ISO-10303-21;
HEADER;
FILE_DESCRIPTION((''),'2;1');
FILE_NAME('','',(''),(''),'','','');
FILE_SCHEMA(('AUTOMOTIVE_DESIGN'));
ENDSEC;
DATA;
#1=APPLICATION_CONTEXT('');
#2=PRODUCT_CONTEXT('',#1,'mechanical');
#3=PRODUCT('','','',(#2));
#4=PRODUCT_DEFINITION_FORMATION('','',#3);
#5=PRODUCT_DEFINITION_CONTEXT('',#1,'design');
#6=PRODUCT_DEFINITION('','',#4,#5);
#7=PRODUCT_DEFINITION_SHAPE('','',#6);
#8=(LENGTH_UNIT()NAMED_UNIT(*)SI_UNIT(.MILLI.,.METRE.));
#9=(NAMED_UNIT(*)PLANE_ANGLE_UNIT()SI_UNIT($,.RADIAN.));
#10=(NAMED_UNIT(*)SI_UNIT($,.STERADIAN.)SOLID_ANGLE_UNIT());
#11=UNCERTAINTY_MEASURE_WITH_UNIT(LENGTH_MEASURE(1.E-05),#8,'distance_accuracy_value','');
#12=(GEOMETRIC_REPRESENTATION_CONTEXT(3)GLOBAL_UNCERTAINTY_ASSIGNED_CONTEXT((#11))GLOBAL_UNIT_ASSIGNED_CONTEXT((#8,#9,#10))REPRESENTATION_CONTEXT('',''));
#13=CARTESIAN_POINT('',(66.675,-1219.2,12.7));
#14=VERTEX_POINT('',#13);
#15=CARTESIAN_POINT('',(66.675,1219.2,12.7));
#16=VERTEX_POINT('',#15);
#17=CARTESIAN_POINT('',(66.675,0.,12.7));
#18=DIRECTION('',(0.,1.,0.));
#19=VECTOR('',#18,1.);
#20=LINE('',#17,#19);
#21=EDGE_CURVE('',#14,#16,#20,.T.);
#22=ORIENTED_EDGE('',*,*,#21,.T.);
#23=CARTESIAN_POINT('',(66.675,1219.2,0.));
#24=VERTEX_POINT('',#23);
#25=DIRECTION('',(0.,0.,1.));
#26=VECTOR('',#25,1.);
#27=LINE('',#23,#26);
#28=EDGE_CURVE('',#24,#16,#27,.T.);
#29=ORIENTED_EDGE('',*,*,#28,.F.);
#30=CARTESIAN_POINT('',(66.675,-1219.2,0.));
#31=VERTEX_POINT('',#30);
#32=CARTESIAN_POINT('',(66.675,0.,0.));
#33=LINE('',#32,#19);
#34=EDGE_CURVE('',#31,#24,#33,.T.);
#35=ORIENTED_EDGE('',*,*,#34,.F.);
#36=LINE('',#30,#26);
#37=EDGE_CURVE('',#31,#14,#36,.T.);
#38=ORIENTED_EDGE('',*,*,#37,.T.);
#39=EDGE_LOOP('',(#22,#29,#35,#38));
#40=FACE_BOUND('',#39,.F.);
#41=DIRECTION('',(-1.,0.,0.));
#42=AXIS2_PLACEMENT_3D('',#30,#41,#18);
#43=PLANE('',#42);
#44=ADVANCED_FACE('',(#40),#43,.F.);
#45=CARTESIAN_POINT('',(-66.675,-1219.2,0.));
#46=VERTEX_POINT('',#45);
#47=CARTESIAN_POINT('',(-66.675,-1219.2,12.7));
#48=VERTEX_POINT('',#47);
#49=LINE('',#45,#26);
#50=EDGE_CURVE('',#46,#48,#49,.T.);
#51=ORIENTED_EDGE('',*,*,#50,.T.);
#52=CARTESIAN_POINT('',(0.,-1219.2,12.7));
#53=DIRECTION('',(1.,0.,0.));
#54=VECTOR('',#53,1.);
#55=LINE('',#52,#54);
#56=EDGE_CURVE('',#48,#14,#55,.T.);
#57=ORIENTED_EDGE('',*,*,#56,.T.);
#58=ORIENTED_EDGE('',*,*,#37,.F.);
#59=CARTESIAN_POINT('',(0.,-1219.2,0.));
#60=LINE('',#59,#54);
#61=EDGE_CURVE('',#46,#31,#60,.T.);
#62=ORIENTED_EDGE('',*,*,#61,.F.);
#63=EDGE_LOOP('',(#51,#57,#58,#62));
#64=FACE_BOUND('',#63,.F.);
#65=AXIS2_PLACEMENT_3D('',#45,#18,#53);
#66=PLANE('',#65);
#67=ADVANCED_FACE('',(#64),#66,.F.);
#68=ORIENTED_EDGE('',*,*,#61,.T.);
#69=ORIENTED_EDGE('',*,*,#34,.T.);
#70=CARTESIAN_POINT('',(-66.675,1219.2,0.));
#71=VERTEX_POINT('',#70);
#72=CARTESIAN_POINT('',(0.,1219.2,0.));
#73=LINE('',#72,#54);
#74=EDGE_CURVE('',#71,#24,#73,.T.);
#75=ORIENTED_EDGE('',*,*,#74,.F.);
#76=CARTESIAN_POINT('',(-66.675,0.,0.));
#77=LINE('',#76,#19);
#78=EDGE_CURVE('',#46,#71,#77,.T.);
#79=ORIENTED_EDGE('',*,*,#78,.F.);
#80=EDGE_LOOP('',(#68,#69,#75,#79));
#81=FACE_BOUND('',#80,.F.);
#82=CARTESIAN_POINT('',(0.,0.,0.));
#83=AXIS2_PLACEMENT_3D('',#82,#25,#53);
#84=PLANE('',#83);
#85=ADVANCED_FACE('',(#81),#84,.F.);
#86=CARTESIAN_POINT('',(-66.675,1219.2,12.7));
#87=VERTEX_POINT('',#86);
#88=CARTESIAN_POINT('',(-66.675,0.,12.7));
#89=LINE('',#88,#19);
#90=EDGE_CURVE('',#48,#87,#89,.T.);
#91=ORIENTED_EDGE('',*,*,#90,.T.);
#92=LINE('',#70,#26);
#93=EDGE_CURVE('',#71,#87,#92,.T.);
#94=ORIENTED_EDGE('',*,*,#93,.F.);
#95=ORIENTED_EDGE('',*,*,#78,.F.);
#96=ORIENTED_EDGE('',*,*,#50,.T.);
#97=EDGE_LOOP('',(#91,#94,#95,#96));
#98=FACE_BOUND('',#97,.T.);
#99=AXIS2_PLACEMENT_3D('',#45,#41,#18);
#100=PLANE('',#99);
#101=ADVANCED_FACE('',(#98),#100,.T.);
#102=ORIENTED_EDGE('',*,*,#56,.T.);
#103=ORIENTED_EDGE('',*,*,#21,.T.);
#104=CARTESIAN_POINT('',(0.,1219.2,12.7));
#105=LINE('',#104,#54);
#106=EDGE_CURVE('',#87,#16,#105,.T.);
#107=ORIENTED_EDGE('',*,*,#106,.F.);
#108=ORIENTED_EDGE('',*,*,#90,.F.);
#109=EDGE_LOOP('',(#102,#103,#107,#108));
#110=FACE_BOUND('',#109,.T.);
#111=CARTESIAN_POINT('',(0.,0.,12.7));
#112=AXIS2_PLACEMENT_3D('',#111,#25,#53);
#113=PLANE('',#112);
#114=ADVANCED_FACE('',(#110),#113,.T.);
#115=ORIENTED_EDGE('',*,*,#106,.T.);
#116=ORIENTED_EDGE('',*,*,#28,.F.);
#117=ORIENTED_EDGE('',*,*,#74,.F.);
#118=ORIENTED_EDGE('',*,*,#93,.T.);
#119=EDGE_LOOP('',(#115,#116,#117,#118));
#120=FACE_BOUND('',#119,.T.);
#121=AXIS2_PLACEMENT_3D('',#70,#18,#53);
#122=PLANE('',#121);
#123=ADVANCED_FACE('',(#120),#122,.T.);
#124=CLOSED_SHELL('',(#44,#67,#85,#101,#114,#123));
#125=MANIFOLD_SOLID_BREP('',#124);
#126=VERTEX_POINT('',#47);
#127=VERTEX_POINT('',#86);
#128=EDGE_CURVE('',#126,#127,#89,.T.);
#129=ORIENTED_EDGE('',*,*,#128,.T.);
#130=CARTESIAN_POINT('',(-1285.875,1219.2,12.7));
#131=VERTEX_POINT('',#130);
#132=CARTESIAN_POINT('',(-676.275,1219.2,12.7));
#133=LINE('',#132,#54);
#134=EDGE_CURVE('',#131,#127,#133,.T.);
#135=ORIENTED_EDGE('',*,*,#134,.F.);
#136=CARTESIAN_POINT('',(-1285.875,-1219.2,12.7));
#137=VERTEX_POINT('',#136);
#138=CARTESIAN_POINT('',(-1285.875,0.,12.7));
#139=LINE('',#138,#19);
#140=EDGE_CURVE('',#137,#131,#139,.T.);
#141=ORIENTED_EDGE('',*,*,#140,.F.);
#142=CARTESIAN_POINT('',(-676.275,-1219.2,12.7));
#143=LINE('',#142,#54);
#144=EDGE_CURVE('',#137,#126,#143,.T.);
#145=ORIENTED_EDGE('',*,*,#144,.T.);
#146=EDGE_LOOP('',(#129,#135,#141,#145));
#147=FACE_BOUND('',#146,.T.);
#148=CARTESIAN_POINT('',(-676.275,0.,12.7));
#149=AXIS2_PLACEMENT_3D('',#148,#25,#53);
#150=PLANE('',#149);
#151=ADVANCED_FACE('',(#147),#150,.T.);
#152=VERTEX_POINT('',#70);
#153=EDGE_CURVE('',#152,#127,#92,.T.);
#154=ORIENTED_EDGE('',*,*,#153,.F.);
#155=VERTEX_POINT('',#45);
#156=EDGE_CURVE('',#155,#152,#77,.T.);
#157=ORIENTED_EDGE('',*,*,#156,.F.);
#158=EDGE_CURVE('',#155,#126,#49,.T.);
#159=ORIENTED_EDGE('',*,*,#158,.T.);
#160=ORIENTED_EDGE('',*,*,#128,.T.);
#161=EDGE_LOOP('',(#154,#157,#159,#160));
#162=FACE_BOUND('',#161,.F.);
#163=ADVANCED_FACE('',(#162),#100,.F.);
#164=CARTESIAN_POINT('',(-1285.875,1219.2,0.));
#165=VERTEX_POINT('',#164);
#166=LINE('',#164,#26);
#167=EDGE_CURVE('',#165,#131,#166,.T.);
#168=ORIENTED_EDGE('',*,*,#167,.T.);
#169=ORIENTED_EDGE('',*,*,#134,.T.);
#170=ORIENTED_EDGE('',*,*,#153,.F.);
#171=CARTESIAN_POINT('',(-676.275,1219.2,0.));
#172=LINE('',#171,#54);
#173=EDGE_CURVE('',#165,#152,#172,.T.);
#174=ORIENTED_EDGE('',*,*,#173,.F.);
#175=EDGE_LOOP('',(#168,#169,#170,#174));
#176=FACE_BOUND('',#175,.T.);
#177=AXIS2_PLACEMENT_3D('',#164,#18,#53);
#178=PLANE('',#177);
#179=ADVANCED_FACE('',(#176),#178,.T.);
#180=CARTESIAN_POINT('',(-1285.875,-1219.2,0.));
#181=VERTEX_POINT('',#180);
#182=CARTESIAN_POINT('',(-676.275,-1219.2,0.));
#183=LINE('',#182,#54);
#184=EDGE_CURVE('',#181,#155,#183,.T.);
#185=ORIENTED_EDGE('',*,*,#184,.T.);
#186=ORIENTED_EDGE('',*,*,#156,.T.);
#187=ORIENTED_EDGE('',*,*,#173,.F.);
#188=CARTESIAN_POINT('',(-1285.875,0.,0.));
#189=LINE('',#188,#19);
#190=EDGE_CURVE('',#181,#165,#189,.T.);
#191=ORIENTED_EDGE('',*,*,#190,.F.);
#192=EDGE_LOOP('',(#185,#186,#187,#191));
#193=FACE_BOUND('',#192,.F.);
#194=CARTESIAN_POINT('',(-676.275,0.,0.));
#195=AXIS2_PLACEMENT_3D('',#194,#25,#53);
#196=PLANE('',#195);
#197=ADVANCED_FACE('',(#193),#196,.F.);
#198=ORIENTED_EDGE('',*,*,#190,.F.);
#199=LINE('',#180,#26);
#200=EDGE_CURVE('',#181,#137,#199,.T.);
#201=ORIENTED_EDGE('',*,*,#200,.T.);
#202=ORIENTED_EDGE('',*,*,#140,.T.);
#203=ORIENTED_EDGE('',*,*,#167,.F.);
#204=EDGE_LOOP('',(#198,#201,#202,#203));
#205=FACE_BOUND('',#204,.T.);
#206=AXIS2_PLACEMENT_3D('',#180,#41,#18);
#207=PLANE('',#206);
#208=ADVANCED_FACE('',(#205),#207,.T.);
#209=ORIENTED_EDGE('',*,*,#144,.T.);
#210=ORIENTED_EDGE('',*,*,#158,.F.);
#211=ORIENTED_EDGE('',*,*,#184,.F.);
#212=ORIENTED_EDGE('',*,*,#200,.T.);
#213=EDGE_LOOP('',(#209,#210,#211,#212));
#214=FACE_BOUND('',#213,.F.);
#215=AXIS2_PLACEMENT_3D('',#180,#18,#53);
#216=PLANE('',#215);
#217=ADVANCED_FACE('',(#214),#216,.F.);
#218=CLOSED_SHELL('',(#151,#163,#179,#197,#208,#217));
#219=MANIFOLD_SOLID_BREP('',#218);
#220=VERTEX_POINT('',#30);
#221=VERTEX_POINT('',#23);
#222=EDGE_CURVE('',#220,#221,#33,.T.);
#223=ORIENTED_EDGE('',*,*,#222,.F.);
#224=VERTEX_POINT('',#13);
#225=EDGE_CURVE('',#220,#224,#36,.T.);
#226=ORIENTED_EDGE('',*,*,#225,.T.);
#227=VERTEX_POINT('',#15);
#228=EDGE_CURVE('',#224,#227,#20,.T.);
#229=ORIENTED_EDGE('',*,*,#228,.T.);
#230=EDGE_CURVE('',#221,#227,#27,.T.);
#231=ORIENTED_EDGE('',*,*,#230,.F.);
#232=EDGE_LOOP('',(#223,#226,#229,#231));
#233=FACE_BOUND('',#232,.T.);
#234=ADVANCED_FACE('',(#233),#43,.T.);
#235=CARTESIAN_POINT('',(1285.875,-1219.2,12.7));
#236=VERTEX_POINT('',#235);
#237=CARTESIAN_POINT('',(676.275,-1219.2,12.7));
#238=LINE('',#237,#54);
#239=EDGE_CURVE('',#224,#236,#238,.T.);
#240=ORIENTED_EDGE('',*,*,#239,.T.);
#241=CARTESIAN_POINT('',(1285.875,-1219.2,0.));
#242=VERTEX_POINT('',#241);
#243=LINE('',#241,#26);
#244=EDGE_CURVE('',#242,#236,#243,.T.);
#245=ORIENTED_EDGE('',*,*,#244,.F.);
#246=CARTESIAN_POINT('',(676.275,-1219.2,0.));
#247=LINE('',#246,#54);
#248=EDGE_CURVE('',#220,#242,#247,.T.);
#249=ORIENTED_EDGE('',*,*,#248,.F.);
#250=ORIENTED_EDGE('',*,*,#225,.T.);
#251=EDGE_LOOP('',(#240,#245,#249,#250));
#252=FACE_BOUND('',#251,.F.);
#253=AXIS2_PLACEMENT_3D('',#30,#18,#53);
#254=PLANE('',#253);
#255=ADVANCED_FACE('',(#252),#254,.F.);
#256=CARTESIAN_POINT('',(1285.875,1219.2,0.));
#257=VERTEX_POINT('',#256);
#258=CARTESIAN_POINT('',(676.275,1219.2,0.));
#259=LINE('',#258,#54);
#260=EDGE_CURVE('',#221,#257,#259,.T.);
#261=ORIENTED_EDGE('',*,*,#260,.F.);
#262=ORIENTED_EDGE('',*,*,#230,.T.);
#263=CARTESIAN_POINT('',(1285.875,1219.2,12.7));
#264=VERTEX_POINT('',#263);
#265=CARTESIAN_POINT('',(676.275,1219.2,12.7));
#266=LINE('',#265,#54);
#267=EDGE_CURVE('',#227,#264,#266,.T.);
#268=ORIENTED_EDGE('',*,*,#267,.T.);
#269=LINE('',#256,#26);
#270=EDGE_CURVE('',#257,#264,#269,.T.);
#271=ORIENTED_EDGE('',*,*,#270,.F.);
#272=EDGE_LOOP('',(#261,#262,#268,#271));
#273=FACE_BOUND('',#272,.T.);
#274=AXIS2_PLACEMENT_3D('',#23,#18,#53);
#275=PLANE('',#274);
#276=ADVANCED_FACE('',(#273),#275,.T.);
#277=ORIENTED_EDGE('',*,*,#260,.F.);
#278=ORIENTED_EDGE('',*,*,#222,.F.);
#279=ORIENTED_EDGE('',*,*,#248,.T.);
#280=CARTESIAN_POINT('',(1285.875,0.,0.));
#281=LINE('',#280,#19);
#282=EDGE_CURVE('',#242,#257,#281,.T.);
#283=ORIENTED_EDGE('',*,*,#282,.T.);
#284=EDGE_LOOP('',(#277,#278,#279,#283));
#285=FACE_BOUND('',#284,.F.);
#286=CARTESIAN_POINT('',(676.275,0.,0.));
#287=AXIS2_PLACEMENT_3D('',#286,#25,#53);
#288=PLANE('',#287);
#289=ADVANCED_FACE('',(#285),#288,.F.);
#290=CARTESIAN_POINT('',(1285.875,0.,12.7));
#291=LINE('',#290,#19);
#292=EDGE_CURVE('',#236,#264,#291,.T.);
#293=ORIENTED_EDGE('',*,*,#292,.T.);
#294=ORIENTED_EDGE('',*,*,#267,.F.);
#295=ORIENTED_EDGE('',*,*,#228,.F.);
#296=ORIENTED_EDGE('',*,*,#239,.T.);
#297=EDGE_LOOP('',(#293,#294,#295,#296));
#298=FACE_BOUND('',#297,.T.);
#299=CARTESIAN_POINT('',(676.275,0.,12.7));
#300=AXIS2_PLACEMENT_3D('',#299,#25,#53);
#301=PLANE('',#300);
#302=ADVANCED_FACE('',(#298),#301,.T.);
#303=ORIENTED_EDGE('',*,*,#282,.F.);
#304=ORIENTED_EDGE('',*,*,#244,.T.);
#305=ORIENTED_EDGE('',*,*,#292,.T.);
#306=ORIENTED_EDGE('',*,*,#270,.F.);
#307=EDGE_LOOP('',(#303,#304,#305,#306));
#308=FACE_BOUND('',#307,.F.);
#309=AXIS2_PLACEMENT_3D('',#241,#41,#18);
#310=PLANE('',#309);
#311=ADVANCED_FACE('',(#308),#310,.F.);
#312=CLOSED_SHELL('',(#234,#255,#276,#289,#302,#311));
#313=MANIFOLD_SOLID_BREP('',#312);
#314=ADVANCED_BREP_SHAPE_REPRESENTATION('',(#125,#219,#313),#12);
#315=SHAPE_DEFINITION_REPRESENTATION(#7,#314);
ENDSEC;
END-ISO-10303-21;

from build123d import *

# Parameters (mm, degrees)
F0_W     = 1219.2
F0_H     = 2438.4
F1_DEPTH = 12.7
F2_DEPTH = 12.7
F0_W_2   = 133.35
F3_DEPTH = 12.7


with BuildPart() as f1:
    # F0 (on Top) → F1 (new body)
    with BuildSketch(Plane.XY):
        with Locations((-676.275, 0)):
            Rectangle(F0_W, F0_H)
    extrude(amount=F1_DEPTH)


with BuildPart() as f2:
    # F0 (on Top) → F2 (new body)
    with BuildSketch(Plane.XY):
        with Locations((676.275, 0)):
            Rectangle(F0_W, F0_H)
    extrude(amount=F2_DEPTH)


with BuildPart() as f3:
    # F0 (on Top) → F3 (new body)
    with BuildSketch(Plane.XY):
        Rectangle(F0_W_2, F0_H)
    extrude(amount=F3_DEPTH)


solid = Compound([f1.part, f2.part, f3.part])
